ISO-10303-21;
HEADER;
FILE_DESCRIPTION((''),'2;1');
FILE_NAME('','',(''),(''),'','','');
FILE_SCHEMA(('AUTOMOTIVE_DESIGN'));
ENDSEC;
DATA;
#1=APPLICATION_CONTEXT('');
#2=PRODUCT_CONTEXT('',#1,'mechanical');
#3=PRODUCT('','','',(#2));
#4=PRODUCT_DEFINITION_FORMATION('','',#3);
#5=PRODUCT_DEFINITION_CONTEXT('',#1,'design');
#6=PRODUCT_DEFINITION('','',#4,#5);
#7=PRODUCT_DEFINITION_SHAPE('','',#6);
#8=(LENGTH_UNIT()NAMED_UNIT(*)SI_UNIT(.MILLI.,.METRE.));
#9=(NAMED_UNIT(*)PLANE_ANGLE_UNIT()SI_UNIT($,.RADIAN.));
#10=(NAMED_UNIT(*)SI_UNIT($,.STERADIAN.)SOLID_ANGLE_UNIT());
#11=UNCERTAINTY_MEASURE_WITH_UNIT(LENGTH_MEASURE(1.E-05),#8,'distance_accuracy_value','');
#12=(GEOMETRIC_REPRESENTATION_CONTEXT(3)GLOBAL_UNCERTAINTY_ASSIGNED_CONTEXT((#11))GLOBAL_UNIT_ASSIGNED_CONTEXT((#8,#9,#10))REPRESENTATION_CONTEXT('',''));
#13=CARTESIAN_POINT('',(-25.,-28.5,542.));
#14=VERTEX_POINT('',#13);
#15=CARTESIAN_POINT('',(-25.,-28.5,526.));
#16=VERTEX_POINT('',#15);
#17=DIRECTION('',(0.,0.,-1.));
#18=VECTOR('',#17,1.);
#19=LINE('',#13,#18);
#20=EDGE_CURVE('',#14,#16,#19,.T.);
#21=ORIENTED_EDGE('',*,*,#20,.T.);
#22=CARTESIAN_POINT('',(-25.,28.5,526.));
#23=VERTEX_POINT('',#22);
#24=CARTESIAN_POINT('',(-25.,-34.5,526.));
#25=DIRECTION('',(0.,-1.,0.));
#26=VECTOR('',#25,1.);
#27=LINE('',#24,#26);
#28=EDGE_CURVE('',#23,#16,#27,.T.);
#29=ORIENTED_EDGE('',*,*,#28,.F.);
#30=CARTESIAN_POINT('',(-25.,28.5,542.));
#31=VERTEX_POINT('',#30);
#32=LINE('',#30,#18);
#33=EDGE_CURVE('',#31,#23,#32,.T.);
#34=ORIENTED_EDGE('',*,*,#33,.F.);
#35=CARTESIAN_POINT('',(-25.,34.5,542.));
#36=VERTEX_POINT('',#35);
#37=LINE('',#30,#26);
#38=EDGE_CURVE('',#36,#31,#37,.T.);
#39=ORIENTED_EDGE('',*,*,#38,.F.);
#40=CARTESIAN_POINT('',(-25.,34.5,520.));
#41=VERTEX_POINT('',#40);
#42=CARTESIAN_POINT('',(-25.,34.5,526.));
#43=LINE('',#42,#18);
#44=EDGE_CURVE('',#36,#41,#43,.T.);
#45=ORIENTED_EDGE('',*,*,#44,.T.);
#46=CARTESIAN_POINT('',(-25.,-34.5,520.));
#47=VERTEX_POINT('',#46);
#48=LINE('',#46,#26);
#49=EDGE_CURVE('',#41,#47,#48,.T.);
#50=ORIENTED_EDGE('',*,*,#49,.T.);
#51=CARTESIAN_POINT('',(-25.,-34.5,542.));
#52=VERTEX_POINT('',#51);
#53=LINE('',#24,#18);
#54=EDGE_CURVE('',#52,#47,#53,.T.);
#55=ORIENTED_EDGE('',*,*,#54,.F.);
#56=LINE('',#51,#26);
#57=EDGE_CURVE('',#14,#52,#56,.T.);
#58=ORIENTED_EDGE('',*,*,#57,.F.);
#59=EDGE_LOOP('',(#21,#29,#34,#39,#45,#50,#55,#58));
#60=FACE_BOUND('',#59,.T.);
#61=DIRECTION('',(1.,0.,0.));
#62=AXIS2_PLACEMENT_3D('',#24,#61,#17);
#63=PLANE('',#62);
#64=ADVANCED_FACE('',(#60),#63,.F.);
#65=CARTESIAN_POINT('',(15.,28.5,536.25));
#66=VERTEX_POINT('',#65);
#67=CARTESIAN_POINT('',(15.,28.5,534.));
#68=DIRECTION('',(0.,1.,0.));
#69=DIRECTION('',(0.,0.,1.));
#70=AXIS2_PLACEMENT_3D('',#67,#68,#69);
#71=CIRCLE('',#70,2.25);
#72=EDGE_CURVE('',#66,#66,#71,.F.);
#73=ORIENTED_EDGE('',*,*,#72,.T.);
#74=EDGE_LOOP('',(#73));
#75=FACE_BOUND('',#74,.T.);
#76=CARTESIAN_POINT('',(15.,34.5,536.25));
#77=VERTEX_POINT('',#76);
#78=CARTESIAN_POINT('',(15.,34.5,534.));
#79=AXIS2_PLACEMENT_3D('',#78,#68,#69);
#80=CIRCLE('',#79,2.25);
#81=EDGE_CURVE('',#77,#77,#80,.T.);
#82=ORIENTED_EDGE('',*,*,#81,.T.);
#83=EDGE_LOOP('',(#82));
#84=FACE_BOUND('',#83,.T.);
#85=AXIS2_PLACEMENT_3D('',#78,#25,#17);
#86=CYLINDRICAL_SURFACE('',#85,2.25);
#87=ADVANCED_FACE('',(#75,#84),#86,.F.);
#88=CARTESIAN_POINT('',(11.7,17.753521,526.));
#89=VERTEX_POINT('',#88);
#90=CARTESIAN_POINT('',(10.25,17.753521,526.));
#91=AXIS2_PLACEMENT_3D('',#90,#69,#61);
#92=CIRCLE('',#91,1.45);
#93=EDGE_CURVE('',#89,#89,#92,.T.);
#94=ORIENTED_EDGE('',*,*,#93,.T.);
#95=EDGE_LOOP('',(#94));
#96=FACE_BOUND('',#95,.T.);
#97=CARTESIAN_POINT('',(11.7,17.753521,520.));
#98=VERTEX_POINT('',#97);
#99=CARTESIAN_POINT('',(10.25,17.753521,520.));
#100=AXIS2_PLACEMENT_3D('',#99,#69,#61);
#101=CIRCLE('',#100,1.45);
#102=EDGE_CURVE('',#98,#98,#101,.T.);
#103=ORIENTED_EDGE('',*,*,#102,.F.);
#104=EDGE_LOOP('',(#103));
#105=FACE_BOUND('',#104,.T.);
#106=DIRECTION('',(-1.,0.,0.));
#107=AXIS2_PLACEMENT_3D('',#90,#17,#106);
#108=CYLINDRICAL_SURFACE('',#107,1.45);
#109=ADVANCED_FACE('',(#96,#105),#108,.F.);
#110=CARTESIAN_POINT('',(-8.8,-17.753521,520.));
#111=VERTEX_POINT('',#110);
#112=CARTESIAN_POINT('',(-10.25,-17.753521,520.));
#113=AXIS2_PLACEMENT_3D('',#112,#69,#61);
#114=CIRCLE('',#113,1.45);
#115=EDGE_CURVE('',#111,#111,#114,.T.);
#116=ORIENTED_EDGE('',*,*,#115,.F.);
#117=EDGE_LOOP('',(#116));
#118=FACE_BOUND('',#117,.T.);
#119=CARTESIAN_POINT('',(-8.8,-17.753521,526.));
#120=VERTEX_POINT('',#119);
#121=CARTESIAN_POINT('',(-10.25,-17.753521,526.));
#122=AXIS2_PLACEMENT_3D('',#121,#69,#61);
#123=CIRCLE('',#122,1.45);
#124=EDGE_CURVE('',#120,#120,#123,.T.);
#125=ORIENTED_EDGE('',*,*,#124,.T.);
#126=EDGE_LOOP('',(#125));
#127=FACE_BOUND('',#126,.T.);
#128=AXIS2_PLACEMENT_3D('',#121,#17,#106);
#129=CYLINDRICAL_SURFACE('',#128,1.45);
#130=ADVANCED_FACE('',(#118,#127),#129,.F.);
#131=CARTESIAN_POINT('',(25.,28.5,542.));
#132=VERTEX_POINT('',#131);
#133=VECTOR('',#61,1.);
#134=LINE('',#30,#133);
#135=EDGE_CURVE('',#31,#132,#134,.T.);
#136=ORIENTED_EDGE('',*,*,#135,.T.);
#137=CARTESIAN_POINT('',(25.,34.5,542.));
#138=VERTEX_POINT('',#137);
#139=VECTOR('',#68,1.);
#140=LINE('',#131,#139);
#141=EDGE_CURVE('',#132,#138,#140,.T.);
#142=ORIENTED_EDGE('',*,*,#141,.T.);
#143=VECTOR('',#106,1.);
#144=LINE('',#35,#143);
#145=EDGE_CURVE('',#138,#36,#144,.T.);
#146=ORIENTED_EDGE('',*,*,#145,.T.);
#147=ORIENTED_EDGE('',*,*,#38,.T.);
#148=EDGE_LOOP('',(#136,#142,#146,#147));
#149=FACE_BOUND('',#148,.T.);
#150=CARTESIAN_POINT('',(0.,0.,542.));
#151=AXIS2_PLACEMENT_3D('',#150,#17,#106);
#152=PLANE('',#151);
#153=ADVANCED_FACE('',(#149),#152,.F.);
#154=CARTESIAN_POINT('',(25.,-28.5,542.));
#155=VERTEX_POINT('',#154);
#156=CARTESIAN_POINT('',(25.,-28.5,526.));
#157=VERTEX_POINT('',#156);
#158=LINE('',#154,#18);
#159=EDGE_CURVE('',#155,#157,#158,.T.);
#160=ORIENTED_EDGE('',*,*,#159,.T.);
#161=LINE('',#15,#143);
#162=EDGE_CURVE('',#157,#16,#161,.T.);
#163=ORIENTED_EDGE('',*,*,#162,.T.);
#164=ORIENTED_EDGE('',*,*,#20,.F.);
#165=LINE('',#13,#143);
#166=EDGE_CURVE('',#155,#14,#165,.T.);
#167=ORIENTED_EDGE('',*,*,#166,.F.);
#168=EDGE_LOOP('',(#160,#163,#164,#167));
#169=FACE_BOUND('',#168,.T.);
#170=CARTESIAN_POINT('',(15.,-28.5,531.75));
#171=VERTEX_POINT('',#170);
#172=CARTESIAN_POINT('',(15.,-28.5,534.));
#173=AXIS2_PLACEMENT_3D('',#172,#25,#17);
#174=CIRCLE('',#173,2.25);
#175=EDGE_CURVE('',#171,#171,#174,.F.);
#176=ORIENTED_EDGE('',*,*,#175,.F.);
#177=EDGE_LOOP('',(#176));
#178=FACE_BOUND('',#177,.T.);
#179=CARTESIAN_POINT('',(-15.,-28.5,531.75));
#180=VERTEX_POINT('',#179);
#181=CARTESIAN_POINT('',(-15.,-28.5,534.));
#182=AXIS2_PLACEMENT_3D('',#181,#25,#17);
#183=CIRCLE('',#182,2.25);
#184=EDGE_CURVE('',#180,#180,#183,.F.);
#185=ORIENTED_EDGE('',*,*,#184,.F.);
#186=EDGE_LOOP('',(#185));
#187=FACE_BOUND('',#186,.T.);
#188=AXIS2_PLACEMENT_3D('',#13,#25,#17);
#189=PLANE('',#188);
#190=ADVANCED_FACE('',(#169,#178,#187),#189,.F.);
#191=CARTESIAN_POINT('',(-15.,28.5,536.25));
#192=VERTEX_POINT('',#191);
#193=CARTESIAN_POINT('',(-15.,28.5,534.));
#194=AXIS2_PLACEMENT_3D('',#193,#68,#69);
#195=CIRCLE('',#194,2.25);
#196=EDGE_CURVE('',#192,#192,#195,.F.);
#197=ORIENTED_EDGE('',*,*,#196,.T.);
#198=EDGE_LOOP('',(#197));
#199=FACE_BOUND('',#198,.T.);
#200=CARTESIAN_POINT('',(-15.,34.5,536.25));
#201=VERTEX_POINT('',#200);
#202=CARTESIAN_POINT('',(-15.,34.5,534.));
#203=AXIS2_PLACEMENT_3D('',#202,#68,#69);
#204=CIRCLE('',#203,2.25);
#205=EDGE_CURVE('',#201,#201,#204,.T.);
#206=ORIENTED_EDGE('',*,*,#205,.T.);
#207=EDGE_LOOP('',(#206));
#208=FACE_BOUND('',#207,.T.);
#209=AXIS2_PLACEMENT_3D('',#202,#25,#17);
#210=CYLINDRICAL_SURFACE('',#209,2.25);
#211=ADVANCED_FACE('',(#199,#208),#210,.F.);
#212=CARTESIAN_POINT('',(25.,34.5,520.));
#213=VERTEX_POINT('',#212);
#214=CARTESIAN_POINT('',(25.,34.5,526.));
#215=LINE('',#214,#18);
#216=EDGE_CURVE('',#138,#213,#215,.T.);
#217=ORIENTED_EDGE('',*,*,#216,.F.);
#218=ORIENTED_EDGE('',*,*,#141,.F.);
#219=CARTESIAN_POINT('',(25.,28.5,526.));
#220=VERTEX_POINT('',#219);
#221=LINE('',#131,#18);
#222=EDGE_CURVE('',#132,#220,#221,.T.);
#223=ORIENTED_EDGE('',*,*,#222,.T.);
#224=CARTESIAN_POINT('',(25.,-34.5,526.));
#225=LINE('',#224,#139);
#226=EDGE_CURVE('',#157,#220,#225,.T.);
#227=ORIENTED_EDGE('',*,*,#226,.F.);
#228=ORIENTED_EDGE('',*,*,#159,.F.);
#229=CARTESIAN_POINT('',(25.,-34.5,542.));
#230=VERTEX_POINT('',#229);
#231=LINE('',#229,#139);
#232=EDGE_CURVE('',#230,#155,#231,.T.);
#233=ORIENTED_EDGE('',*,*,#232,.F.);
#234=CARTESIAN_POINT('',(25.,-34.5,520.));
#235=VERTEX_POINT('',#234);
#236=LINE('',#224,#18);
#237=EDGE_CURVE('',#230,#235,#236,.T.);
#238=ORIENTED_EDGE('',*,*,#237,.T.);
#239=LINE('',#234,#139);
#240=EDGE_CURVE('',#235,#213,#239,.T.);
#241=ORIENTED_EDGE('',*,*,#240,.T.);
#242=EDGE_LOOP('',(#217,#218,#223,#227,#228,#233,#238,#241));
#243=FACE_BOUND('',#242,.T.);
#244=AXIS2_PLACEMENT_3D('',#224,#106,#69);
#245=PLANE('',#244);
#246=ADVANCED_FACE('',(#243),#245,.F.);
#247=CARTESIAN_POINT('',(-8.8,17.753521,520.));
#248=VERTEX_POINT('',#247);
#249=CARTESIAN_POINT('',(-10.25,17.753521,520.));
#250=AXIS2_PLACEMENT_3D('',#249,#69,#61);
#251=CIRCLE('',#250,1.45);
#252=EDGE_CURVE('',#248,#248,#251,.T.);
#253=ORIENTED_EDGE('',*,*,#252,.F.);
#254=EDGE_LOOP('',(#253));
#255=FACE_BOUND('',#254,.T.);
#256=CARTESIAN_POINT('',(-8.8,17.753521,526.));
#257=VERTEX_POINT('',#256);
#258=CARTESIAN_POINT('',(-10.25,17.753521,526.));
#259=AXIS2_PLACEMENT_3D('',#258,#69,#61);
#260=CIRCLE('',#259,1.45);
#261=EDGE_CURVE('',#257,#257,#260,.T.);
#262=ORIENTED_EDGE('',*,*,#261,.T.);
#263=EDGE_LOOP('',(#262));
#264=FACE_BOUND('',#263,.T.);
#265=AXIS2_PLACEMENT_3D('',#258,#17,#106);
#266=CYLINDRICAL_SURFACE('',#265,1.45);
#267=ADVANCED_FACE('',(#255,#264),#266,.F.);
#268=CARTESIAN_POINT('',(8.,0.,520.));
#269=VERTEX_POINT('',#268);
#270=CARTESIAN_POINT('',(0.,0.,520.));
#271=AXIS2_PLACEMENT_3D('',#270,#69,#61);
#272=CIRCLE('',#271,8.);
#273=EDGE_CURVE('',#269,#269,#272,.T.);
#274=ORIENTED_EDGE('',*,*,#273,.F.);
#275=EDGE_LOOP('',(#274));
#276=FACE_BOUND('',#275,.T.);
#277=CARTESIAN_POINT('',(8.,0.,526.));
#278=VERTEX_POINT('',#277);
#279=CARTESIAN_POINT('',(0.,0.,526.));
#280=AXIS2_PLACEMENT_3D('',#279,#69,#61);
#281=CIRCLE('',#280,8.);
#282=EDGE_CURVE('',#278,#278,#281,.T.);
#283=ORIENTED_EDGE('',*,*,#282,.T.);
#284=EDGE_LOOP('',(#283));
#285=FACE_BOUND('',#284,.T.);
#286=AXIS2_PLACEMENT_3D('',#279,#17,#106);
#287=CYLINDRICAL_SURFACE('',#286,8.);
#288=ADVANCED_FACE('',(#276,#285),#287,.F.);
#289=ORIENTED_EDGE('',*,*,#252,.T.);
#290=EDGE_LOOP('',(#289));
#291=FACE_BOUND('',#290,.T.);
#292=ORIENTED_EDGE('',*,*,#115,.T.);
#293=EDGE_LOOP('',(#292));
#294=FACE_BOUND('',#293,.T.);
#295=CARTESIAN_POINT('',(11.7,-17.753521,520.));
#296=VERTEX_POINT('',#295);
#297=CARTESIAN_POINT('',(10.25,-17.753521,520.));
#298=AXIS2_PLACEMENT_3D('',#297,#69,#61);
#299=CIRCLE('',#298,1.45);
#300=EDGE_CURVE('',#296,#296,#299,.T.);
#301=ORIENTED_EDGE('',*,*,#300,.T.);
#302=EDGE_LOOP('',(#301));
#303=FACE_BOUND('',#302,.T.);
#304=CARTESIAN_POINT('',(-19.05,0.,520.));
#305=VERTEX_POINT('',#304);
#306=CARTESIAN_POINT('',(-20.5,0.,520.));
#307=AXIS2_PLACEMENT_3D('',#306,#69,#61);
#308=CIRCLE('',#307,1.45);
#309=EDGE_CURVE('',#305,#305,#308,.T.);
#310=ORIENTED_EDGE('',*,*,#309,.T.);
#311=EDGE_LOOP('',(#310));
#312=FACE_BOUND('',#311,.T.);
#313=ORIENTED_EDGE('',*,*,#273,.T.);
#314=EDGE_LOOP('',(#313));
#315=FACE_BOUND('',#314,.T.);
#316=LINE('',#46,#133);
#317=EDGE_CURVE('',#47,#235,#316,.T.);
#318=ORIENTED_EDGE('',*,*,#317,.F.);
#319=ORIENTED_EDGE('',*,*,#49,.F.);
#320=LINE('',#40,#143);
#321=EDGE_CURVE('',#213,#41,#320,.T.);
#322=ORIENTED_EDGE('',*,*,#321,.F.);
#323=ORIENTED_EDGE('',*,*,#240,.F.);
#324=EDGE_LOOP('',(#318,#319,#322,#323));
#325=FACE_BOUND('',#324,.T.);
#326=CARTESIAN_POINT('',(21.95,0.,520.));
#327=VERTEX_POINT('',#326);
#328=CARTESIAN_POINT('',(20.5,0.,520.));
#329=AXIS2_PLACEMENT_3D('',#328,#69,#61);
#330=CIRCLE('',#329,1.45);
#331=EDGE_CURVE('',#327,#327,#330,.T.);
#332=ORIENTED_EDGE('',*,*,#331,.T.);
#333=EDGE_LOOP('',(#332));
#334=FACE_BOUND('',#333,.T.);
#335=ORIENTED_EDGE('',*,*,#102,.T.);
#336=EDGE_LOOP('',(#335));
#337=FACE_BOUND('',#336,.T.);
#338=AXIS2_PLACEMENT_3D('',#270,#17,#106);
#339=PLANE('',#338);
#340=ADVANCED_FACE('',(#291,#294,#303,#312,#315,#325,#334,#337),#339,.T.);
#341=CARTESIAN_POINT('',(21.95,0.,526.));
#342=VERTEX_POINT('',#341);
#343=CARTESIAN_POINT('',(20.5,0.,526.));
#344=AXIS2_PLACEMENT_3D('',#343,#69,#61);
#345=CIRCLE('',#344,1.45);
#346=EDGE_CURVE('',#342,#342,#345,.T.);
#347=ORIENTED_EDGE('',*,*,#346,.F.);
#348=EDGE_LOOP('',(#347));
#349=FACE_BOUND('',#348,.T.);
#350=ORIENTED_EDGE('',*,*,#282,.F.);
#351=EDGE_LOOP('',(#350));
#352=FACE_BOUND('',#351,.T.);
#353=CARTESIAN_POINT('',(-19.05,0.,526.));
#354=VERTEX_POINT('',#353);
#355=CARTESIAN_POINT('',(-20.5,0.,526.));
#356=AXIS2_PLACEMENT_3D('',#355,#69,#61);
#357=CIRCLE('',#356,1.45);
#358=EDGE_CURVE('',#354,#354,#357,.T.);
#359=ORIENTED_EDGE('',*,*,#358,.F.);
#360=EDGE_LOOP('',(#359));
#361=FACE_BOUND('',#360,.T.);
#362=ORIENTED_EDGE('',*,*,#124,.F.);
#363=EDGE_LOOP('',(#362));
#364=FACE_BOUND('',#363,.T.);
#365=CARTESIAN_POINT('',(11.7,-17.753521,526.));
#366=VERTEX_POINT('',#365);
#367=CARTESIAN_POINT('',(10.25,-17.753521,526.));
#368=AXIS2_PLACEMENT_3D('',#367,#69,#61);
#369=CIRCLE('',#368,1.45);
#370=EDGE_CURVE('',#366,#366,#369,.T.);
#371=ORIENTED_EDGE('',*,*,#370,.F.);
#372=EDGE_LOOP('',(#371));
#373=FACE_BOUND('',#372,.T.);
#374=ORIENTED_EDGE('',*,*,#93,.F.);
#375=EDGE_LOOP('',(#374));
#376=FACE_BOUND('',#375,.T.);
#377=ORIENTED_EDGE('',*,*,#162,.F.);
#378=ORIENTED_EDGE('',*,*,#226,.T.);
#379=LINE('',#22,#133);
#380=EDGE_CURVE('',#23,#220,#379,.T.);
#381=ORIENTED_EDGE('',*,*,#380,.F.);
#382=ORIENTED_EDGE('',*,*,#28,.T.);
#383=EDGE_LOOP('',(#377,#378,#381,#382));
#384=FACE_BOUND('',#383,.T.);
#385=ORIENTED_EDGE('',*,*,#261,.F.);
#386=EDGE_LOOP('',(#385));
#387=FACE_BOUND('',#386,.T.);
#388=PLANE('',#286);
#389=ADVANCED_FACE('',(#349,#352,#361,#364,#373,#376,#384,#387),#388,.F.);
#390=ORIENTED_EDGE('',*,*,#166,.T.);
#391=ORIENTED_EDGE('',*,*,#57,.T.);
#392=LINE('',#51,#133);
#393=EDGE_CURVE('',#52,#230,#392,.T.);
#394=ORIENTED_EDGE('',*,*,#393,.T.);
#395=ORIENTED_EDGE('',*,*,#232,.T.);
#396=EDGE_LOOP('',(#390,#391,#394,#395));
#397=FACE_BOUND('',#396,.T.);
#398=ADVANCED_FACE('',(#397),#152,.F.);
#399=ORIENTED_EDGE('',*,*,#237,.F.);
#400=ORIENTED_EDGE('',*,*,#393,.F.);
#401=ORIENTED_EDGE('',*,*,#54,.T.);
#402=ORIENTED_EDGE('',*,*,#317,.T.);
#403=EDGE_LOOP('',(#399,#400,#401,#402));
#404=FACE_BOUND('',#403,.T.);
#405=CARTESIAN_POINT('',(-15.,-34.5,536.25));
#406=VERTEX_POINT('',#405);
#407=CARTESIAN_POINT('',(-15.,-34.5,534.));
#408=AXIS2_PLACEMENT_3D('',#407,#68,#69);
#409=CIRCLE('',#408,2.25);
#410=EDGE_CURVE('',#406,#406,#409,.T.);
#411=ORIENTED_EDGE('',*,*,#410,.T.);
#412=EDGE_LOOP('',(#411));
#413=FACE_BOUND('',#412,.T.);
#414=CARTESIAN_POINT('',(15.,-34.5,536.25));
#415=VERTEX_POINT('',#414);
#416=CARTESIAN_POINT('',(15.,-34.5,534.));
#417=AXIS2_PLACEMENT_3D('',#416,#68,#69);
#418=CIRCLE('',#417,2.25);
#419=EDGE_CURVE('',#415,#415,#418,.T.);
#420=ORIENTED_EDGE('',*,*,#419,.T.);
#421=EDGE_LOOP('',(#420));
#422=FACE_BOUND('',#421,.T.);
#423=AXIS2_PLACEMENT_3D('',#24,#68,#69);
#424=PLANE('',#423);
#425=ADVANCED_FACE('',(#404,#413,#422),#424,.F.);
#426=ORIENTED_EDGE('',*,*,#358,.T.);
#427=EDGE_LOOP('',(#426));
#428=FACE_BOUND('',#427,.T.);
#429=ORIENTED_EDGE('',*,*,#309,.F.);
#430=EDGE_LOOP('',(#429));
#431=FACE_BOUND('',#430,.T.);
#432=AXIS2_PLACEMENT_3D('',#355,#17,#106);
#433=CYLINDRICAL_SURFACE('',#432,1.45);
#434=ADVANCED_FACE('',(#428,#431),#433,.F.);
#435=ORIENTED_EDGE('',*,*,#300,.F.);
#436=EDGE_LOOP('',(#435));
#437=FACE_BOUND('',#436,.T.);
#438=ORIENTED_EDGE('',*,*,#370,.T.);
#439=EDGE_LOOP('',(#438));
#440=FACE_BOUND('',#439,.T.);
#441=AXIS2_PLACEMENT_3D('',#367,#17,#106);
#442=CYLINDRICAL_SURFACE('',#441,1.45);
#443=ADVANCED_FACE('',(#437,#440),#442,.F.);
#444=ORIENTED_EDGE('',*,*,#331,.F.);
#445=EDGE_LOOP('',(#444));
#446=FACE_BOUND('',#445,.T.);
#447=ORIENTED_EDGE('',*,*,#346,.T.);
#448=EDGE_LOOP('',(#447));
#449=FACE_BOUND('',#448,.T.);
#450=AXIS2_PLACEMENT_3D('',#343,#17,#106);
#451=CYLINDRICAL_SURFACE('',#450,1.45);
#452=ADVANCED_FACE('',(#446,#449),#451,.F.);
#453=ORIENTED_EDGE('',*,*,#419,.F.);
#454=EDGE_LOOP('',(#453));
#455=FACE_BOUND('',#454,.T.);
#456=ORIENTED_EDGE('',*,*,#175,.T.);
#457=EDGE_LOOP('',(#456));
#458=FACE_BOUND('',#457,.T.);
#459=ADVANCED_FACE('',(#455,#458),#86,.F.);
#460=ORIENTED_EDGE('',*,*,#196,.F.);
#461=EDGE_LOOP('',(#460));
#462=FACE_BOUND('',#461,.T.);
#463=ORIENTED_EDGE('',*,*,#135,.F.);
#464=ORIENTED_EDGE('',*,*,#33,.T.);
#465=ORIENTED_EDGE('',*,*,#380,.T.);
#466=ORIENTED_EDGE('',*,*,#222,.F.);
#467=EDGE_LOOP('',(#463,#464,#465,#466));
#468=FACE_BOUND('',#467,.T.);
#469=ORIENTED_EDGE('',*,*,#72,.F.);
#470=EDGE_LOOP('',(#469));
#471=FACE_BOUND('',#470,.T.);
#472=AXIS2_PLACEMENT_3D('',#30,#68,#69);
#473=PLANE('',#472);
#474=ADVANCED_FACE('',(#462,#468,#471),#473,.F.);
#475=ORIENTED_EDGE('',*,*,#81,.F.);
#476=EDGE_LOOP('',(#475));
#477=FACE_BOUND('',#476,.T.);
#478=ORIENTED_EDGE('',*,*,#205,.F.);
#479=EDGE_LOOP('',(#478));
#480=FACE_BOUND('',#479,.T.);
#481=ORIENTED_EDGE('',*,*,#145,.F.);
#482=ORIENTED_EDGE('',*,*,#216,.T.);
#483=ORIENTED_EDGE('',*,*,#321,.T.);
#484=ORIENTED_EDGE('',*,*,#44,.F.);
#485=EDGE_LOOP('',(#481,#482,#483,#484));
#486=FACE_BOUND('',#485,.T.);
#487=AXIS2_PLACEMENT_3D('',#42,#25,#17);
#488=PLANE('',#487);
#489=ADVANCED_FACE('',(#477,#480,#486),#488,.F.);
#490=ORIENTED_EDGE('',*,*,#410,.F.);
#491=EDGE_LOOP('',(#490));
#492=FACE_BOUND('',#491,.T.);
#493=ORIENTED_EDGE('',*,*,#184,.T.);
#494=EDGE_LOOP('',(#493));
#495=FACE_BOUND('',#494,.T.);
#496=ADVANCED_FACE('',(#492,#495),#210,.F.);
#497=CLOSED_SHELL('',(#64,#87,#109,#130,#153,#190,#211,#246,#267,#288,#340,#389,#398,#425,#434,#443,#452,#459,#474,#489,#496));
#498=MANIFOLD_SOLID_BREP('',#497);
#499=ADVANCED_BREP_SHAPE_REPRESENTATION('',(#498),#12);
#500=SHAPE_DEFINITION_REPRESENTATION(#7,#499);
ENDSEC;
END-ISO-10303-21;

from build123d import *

# Parameters (mm, degrees)
REPISA_START                   = 520
SK_REPISA_W                    = 50
SK_REPISA_H                    = 69
REPISA_DEPTH                   = 6
CENTRO_MOTOR_START             = 520
SK_CENTRO_MOTOR_R              = 8
CENTRO_MOTOR_DEPTH             = 6
PASANTES_M2_5_ESTATOR_J6_START = 520
SK_PASANTES_M2_5_ESTATOR_J6_R  = 1.45
PASANTES_M2_5_ESTATOR_J6_DEPTH = 6
PESTANAS_START                 = 526
SK_PESTANAS_W                  = 50
SK_PESTANAS_H                  = 6
PESTANAS_DEPTH                 = 16
PASANTES_M4_PESTANAS_START     = -34.5
SK_PASANTES_M4_PESTANAS_R      = 2.25
PASANTES_M4_PESTANAS_DEPTH     = 69


with BuildPart() as part:
    # Sk_Repisa → Repisa (new body)
    with BuildSketch(Plane.XY.offset(REPISA_START)):
        Rectangle(SK_REPISA_W, SK_REPISA_H)
    extrude(amount=REPISA_DEPTH)

    # Sk_Centro_motor → Centro_motor (cut)
    with BuildSketch(Plane.XY.offset(CENTRO_MOTOR_START)):
        Circle(SK_CENTRO_MOTOR_R)
    extrude(amount=CENTRO_MOTOR_DEPTH, mode=Mode.SUBTRACT)

    # Sk_Pasantes_M2-5_estator_J6 → Pasantes_M2-5_estator_J6 (cut)
    with BuildSketch(Plane.XY.offset(PASANTES_M2_5_ESTATOR_J6_START)):
        with Locations((20.5, 0)):
            Circle(SK_PASANTES_M2_5_ESTATOR_J6_R)
        with Locations((10.25, 17.753520778)):
            Circle(SK_PASANTES_M2_5_ESTATOR_J6_R)
        with Locations((-10.25, 17.753520778)):
            Circle(SK_PASANTES_M2_5_ESTATOR_J6_R)
        with Locations((-20.5, 0)):
            Circle(SK_PASANTES_M2_5_ESTATOR_J6_R)
        with Locations((-10.25, -17.753520778)):
            Circle(SK_PASANTES_M2_5_ESTATOR_J6_R)
        with Locations((10.25, -17.753520778)):
            Circle(SK_PASANTES_M2_5_ESTATOR_J6_R)
    extrude(amount=PASANTES_M2_5_ESTATOR_J6_DEPTH, mode=Mode.SUBTRACT)

    # Sk_Pestanas → Pestanas (add)
    with BuildSketch(Plane.XY.offset(PESTANAS_START)):
        with Locations((0, 31.5)):
            Rectangle(SK_PESTANAS_W, SK_PESTANAS_H)
        with Locations((0, -31.5)):
            Rectangle(SK_PESTANAS_W, SK_PESTANAS_H)
    extrude(amount=PESTANAS_DEPTH)

    # Sk_Pasantes_M4_pestanas → Pasantes_M4_pestanas (cut)
    with BuildSketch(Plane(origin=(0, 0, 0), x_dir=(1, 0, 0), z_dir=(0, 1, 0)).offset(PASANTES_M4_PESTANAS_START)):
        with Locations(Location((-15, -534, 0), (0, 0, 270))):
            Circle(SK_PASANTES_M4_PESTANAS_R)
        with Locations(Location((15, -534, 0), (0, 0, 270))):
            Circle(SK_PASANTES_M4_PESTANAS_R)
    extrude(amount=PASANTES_M4_PESTANAS_DEPTH, mode=Mode.SUBTRACT)


solid = part.part
